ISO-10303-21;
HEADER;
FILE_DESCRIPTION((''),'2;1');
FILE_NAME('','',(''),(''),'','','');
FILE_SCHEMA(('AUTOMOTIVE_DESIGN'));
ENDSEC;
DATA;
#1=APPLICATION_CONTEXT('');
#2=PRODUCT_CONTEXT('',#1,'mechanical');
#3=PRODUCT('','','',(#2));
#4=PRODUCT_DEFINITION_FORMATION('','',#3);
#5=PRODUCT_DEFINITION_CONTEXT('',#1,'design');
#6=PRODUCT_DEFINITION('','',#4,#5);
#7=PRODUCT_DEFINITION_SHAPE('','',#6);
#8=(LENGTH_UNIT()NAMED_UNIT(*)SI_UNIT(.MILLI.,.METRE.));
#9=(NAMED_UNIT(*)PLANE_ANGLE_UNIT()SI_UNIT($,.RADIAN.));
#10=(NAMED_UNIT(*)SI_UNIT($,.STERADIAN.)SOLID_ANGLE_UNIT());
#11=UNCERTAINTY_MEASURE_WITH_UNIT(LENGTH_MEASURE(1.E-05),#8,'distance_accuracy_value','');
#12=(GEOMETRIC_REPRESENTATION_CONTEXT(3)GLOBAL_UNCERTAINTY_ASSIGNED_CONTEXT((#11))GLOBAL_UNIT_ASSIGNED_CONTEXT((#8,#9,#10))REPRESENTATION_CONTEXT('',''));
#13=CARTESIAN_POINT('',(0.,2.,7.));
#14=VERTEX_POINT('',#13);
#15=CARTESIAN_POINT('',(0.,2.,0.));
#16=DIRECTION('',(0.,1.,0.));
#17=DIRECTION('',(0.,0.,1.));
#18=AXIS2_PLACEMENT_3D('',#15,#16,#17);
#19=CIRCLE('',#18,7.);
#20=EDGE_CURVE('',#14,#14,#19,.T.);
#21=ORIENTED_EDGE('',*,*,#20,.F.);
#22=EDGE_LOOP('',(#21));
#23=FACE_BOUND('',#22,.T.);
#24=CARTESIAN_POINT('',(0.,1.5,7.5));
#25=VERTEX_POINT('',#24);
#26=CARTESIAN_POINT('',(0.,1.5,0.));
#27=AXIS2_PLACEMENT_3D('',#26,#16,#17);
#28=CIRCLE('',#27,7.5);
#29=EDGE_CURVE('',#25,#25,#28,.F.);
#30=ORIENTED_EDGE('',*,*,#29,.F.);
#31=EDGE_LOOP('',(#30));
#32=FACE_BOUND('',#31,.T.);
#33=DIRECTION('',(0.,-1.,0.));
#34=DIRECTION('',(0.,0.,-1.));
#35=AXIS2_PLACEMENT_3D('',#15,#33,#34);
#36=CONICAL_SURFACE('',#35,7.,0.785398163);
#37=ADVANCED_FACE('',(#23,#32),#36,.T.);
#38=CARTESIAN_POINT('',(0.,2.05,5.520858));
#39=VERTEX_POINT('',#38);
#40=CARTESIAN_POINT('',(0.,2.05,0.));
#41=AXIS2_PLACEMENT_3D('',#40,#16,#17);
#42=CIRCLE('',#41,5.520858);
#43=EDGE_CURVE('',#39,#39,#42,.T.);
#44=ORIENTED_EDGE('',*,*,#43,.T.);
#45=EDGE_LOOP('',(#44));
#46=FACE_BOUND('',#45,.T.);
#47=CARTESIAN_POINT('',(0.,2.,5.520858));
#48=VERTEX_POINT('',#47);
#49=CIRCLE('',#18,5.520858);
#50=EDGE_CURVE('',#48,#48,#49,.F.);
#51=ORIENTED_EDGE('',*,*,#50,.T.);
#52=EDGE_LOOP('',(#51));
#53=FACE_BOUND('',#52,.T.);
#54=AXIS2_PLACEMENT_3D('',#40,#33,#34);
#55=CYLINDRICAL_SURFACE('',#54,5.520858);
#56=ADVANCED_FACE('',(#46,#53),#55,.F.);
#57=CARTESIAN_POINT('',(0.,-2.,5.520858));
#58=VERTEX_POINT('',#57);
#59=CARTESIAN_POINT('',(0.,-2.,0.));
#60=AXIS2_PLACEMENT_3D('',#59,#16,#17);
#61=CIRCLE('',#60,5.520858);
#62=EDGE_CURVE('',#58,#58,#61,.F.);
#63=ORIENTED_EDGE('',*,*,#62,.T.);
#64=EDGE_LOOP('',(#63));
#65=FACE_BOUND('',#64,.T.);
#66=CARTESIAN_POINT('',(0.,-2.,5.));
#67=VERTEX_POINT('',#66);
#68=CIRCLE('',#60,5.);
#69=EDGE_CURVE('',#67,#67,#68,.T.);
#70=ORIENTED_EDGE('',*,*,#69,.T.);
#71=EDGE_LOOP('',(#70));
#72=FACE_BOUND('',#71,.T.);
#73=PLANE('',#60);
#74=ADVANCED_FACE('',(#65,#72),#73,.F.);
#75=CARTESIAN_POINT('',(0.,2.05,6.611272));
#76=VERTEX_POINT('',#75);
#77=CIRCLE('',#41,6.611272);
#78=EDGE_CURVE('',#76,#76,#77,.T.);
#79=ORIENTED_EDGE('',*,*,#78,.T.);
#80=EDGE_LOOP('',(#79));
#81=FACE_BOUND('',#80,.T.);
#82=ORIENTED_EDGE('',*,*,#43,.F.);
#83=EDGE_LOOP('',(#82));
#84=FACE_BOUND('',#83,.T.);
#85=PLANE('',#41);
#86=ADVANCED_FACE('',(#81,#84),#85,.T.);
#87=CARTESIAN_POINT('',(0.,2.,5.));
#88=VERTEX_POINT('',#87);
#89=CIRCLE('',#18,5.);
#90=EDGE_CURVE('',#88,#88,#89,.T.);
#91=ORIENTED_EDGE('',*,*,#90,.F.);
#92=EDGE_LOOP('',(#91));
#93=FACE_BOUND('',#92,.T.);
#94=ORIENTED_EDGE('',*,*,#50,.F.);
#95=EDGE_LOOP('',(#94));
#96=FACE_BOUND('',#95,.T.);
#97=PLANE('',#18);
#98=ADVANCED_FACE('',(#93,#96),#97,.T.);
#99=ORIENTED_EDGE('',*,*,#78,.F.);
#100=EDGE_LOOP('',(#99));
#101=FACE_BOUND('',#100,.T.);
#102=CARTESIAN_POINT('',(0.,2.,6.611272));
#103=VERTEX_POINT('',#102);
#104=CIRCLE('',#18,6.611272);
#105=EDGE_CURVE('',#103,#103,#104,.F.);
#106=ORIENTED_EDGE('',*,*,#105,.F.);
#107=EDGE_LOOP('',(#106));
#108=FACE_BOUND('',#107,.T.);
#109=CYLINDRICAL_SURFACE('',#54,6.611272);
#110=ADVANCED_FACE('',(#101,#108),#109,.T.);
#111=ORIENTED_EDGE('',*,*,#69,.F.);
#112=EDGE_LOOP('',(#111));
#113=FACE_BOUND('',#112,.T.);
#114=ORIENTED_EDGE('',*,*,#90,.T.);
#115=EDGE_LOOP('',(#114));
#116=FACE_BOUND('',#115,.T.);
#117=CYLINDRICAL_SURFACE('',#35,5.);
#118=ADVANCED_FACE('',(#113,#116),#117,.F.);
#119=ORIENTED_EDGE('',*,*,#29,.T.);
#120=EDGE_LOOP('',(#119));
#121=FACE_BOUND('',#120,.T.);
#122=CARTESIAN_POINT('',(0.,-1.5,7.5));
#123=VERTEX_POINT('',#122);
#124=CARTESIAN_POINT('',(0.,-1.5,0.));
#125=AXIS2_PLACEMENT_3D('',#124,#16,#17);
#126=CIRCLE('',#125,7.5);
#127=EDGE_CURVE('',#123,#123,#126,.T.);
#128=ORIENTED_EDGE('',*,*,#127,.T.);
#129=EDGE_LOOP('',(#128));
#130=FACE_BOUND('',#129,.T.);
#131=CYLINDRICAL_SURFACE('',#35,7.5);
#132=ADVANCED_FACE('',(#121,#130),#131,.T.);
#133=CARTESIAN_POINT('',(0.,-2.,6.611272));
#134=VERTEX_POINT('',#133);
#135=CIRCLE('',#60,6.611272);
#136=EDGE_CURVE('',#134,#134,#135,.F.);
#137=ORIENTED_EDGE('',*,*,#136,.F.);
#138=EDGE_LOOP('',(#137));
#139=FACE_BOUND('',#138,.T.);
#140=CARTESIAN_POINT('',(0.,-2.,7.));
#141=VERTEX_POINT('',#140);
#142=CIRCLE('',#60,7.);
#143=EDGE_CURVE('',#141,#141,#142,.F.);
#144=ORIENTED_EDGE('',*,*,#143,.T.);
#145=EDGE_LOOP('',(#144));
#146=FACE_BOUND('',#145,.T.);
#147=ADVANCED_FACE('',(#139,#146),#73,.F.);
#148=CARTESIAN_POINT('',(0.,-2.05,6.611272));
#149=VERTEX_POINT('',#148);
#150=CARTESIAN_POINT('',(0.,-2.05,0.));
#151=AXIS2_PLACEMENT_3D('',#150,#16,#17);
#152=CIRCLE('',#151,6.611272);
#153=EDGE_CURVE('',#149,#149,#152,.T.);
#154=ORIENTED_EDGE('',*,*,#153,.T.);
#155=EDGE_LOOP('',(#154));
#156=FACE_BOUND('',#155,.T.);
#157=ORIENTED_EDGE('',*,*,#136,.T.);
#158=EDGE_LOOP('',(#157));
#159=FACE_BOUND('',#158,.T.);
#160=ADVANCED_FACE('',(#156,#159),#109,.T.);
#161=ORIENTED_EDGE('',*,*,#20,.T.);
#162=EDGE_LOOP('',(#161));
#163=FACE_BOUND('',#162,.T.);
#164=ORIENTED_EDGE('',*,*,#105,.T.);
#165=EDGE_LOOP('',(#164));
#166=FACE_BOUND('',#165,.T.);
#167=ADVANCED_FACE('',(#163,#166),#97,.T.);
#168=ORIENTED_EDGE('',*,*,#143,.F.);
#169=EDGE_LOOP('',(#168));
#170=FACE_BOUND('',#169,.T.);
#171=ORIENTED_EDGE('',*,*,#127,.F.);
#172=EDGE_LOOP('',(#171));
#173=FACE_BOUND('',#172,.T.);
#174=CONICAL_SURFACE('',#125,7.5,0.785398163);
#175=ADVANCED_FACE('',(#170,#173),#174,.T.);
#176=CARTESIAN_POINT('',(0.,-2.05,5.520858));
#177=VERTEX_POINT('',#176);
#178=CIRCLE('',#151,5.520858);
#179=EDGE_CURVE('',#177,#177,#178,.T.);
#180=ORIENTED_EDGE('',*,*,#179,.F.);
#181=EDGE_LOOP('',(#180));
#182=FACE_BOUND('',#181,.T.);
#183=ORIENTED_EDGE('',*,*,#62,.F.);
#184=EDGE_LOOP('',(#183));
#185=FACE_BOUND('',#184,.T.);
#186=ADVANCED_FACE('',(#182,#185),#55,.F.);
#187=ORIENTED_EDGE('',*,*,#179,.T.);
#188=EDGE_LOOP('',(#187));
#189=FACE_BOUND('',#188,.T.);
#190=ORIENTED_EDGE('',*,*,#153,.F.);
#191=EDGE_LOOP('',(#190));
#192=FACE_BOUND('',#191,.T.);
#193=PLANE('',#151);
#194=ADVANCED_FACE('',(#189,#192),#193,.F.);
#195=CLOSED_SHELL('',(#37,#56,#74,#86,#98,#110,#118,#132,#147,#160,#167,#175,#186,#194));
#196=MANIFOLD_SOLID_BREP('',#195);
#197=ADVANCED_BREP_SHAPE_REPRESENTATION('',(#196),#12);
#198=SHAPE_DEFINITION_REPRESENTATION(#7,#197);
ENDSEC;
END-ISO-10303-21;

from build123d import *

# Parameters (mm, degrees)
CROQUIS1_R              = 7.5
CROQUIS1_R_2            = 5
SALIENTE_EXTRUIR1_DEPTH = 2
CHAFL_N1_SIZE           = 0.5
CROQUIS2_R              = 6.611271869
CROQUIS2_R_2            = 5.520857639
SALIENTE_EXTRUIR2_DEPTH = 2.05


with BuildPart() as part:
    # Croquis1 → Saliente-Extruir1 (new, symmetric)
    with BuildSketch(Plane(origin=(0, 0, 0), x_dir=(1, 0, 0), z_dir=(0, 1, 0))):
        with Locations(Location((0, 0, 0), (0, 0, 270))):
            Circle(CROQUIS1_R)
        with Locations(Location((0, 0, 0), (0, 0, 270))):
            Circle(CROQUIS1_R_2, mode=Mode.SUBTRACT)
    extrude(amount=SALIENTE_EXTRUIR1_DEPTH, both=True)

    # Chaflán1
    chafl_n1_edges = [part.edges().sort_by_distance(p)[0] for p in [
        (0, -2, -7.5),
        (0, 2, -7.5),
    ]]
    chamfer(chafl_n1_edges, length=CHAFL_N1_SIZE)

    # Croquis2 → Saliente-Extruir2 (add, symmetric)
    with BuildSketch(Plane(origin=(0, 0, 0), x_dir=(1, 0, 0), z_dir=(0, 1, 0))):
        with Locations(Location((0, 0, 0), (0, 0, 270))):
            Circle(CROQUIS2_R)
        with Locations(Location((0, 0, 0), (0, 0, 270))):
            Circle(CROQUIS2_R_2, mode=Mode.SUBTRACT)
    extrude(amount=SALIENTE_EXTRUIR2_DEPTH, both=True)


solid = part.part
